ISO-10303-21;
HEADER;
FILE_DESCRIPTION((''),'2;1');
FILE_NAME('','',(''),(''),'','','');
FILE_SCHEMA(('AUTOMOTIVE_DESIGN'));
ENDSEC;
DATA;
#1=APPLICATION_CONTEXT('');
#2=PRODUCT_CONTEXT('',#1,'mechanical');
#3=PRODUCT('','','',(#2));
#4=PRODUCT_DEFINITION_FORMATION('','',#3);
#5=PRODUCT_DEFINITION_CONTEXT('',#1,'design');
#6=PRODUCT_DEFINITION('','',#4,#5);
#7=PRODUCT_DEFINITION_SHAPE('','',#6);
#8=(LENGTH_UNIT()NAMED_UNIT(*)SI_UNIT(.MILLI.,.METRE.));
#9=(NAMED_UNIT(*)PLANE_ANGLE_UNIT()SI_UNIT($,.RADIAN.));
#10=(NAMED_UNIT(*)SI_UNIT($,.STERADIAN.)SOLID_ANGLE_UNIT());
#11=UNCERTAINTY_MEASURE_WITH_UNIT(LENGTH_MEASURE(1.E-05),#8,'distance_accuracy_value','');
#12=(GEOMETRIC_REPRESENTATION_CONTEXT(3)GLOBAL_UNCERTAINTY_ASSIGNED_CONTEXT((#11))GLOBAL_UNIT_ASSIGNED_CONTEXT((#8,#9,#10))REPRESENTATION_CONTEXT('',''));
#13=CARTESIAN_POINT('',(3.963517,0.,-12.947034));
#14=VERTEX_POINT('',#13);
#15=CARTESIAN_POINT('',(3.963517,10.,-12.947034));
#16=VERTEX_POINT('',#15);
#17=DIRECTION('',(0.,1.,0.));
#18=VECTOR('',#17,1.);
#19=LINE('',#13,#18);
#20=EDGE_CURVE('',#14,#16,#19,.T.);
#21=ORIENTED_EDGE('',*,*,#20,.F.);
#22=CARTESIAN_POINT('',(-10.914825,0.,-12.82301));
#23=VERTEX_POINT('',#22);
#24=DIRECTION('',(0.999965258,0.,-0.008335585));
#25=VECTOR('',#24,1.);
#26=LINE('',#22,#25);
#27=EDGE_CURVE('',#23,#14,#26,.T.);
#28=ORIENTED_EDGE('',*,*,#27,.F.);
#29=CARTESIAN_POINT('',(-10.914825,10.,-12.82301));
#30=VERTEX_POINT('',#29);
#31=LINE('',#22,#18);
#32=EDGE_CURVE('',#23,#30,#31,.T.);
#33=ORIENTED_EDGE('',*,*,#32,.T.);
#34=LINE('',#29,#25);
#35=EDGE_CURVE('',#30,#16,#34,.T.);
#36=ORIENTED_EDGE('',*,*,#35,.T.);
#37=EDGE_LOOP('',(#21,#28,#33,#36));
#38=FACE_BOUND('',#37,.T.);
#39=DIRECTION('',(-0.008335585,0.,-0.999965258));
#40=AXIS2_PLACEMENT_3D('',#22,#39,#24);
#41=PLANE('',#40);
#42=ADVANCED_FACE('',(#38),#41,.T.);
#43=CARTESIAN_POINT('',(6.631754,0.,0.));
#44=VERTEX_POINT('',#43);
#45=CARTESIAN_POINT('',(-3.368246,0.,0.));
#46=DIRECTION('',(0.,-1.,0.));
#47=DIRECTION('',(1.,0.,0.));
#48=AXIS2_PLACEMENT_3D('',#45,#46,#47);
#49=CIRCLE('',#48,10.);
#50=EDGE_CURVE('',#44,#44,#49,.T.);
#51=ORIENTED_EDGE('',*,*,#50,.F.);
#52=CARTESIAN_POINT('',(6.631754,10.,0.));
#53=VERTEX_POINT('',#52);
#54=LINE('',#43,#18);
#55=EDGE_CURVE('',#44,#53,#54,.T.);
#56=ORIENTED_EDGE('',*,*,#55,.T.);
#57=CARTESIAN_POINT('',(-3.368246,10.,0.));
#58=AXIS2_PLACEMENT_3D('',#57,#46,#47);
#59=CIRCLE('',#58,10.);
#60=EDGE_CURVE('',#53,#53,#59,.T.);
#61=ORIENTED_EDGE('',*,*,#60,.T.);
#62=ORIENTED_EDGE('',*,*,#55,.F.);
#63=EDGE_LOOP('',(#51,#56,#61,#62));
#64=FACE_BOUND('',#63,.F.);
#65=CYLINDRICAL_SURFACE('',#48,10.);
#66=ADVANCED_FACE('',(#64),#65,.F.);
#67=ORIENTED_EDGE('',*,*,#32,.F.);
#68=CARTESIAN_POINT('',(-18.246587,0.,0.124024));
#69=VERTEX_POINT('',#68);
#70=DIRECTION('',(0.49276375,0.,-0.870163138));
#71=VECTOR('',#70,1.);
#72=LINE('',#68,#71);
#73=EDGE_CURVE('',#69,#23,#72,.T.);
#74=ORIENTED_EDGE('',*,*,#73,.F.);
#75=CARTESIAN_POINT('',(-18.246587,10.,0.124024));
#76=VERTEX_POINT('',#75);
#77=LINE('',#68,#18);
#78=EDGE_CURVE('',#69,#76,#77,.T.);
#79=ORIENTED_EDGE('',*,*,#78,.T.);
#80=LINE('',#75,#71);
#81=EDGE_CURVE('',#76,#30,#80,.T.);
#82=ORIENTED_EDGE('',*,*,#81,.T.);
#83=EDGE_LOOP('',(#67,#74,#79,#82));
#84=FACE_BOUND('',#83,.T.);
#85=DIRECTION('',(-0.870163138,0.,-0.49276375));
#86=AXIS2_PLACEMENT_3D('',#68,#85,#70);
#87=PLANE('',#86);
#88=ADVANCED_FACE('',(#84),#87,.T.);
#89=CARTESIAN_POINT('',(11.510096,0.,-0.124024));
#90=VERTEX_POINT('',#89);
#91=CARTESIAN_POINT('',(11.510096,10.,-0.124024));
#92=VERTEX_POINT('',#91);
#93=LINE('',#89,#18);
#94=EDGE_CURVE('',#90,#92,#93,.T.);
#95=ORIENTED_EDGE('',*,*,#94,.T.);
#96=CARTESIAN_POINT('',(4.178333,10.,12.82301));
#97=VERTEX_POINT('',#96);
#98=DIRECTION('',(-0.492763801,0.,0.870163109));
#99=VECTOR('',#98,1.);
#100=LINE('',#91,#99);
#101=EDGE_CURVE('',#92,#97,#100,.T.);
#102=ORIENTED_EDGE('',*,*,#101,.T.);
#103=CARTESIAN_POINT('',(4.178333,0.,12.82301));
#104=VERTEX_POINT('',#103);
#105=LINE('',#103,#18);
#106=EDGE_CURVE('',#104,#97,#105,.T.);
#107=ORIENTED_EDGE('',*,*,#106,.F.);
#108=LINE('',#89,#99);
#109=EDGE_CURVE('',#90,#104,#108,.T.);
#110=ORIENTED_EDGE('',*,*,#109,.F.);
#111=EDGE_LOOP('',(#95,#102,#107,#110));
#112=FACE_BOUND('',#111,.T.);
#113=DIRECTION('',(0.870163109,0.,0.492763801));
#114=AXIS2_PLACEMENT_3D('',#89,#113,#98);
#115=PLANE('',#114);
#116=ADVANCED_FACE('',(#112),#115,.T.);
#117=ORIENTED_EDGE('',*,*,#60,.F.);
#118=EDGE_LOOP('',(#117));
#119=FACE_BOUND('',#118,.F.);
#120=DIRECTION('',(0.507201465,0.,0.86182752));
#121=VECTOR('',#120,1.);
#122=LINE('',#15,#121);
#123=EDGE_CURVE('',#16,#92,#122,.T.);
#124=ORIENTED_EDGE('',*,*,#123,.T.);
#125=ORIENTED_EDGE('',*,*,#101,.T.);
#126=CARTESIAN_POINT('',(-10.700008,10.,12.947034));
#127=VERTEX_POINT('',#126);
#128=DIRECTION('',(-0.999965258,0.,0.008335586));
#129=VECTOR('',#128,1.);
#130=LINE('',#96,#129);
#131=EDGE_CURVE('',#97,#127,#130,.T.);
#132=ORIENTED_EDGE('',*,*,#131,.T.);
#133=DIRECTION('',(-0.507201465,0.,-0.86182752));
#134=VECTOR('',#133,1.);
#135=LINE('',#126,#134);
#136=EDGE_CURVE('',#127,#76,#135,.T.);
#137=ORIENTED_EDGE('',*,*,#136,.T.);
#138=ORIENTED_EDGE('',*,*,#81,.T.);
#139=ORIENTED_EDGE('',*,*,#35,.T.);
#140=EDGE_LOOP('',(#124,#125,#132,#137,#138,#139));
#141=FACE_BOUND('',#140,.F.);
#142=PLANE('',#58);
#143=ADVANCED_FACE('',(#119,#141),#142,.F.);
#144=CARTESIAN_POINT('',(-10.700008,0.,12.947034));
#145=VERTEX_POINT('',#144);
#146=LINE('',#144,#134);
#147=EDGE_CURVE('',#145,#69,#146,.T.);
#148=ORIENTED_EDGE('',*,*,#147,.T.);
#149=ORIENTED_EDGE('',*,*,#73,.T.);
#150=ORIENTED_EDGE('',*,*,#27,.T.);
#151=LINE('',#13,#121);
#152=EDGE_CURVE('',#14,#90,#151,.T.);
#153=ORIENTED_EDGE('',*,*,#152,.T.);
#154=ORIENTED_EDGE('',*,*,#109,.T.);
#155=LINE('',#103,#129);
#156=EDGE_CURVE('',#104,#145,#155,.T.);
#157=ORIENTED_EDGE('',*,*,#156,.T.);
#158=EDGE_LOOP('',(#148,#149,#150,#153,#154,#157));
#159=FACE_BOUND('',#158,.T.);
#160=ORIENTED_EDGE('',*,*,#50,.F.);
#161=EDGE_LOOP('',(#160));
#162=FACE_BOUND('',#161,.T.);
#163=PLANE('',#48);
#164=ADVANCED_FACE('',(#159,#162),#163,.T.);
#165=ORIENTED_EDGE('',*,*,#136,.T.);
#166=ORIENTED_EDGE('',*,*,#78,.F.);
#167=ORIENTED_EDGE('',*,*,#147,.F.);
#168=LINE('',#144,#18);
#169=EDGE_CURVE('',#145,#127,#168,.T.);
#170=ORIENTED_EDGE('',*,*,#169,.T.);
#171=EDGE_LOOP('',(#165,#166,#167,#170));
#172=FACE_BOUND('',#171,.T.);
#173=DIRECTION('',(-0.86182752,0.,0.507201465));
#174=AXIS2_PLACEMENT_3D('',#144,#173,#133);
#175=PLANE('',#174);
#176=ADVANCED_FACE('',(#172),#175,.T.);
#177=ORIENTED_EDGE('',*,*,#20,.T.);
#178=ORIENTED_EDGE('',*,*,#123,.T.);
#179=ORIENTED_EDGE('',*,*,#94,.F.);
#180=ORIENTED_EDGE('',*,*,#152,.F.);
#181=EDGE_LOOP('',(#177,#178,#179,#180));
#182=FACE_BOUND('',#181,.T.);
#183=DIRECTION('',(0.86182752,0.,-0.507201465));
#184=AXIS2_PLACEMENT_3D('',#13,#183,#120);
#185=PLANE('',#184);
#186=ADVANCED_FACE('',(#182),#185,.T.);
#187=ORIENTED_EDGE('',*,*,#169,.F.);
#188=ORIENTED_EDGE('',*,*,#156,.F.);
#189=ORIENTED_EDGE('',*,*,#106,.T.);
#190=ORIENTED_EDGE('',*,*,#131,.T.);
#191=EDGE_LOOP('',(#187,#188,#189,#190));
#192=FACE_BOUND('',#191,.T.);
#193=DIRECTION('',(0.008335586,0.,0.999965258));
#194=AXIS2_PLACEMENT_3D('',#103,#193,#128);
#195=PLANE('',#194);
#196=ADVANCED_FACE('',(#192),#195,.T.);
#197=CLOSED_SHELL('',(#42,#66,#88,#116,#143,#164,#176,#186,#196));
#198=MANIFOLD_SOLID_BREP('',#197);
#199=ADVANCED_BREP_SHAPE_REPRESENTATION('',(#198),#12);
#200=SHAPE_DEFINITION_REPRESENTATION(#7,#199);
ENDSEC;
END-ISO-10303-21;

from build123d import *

# Parameters (mm, degrees)
F0_R     = 10
F1_DEPTH = 10


with BuildPart() as f1:
    # F0 (on Front) → F1 (new body)
    with BuildSketch(Plane.XZ):
        Polygon((-10.914825, -12.82301), (3.963517, -12.947034), (11.510096, -0.124024), (4.178333, 12.82301), (-10.700008, 12.947034), (-18.246587, 0.124024), align=None)
        with Locations((-3.368246, 0)):
            Circle(F0_R, mode=Mode.SUBTRACT)
    extrude(amount=-F1_DEPTH)


solid = f1.part
